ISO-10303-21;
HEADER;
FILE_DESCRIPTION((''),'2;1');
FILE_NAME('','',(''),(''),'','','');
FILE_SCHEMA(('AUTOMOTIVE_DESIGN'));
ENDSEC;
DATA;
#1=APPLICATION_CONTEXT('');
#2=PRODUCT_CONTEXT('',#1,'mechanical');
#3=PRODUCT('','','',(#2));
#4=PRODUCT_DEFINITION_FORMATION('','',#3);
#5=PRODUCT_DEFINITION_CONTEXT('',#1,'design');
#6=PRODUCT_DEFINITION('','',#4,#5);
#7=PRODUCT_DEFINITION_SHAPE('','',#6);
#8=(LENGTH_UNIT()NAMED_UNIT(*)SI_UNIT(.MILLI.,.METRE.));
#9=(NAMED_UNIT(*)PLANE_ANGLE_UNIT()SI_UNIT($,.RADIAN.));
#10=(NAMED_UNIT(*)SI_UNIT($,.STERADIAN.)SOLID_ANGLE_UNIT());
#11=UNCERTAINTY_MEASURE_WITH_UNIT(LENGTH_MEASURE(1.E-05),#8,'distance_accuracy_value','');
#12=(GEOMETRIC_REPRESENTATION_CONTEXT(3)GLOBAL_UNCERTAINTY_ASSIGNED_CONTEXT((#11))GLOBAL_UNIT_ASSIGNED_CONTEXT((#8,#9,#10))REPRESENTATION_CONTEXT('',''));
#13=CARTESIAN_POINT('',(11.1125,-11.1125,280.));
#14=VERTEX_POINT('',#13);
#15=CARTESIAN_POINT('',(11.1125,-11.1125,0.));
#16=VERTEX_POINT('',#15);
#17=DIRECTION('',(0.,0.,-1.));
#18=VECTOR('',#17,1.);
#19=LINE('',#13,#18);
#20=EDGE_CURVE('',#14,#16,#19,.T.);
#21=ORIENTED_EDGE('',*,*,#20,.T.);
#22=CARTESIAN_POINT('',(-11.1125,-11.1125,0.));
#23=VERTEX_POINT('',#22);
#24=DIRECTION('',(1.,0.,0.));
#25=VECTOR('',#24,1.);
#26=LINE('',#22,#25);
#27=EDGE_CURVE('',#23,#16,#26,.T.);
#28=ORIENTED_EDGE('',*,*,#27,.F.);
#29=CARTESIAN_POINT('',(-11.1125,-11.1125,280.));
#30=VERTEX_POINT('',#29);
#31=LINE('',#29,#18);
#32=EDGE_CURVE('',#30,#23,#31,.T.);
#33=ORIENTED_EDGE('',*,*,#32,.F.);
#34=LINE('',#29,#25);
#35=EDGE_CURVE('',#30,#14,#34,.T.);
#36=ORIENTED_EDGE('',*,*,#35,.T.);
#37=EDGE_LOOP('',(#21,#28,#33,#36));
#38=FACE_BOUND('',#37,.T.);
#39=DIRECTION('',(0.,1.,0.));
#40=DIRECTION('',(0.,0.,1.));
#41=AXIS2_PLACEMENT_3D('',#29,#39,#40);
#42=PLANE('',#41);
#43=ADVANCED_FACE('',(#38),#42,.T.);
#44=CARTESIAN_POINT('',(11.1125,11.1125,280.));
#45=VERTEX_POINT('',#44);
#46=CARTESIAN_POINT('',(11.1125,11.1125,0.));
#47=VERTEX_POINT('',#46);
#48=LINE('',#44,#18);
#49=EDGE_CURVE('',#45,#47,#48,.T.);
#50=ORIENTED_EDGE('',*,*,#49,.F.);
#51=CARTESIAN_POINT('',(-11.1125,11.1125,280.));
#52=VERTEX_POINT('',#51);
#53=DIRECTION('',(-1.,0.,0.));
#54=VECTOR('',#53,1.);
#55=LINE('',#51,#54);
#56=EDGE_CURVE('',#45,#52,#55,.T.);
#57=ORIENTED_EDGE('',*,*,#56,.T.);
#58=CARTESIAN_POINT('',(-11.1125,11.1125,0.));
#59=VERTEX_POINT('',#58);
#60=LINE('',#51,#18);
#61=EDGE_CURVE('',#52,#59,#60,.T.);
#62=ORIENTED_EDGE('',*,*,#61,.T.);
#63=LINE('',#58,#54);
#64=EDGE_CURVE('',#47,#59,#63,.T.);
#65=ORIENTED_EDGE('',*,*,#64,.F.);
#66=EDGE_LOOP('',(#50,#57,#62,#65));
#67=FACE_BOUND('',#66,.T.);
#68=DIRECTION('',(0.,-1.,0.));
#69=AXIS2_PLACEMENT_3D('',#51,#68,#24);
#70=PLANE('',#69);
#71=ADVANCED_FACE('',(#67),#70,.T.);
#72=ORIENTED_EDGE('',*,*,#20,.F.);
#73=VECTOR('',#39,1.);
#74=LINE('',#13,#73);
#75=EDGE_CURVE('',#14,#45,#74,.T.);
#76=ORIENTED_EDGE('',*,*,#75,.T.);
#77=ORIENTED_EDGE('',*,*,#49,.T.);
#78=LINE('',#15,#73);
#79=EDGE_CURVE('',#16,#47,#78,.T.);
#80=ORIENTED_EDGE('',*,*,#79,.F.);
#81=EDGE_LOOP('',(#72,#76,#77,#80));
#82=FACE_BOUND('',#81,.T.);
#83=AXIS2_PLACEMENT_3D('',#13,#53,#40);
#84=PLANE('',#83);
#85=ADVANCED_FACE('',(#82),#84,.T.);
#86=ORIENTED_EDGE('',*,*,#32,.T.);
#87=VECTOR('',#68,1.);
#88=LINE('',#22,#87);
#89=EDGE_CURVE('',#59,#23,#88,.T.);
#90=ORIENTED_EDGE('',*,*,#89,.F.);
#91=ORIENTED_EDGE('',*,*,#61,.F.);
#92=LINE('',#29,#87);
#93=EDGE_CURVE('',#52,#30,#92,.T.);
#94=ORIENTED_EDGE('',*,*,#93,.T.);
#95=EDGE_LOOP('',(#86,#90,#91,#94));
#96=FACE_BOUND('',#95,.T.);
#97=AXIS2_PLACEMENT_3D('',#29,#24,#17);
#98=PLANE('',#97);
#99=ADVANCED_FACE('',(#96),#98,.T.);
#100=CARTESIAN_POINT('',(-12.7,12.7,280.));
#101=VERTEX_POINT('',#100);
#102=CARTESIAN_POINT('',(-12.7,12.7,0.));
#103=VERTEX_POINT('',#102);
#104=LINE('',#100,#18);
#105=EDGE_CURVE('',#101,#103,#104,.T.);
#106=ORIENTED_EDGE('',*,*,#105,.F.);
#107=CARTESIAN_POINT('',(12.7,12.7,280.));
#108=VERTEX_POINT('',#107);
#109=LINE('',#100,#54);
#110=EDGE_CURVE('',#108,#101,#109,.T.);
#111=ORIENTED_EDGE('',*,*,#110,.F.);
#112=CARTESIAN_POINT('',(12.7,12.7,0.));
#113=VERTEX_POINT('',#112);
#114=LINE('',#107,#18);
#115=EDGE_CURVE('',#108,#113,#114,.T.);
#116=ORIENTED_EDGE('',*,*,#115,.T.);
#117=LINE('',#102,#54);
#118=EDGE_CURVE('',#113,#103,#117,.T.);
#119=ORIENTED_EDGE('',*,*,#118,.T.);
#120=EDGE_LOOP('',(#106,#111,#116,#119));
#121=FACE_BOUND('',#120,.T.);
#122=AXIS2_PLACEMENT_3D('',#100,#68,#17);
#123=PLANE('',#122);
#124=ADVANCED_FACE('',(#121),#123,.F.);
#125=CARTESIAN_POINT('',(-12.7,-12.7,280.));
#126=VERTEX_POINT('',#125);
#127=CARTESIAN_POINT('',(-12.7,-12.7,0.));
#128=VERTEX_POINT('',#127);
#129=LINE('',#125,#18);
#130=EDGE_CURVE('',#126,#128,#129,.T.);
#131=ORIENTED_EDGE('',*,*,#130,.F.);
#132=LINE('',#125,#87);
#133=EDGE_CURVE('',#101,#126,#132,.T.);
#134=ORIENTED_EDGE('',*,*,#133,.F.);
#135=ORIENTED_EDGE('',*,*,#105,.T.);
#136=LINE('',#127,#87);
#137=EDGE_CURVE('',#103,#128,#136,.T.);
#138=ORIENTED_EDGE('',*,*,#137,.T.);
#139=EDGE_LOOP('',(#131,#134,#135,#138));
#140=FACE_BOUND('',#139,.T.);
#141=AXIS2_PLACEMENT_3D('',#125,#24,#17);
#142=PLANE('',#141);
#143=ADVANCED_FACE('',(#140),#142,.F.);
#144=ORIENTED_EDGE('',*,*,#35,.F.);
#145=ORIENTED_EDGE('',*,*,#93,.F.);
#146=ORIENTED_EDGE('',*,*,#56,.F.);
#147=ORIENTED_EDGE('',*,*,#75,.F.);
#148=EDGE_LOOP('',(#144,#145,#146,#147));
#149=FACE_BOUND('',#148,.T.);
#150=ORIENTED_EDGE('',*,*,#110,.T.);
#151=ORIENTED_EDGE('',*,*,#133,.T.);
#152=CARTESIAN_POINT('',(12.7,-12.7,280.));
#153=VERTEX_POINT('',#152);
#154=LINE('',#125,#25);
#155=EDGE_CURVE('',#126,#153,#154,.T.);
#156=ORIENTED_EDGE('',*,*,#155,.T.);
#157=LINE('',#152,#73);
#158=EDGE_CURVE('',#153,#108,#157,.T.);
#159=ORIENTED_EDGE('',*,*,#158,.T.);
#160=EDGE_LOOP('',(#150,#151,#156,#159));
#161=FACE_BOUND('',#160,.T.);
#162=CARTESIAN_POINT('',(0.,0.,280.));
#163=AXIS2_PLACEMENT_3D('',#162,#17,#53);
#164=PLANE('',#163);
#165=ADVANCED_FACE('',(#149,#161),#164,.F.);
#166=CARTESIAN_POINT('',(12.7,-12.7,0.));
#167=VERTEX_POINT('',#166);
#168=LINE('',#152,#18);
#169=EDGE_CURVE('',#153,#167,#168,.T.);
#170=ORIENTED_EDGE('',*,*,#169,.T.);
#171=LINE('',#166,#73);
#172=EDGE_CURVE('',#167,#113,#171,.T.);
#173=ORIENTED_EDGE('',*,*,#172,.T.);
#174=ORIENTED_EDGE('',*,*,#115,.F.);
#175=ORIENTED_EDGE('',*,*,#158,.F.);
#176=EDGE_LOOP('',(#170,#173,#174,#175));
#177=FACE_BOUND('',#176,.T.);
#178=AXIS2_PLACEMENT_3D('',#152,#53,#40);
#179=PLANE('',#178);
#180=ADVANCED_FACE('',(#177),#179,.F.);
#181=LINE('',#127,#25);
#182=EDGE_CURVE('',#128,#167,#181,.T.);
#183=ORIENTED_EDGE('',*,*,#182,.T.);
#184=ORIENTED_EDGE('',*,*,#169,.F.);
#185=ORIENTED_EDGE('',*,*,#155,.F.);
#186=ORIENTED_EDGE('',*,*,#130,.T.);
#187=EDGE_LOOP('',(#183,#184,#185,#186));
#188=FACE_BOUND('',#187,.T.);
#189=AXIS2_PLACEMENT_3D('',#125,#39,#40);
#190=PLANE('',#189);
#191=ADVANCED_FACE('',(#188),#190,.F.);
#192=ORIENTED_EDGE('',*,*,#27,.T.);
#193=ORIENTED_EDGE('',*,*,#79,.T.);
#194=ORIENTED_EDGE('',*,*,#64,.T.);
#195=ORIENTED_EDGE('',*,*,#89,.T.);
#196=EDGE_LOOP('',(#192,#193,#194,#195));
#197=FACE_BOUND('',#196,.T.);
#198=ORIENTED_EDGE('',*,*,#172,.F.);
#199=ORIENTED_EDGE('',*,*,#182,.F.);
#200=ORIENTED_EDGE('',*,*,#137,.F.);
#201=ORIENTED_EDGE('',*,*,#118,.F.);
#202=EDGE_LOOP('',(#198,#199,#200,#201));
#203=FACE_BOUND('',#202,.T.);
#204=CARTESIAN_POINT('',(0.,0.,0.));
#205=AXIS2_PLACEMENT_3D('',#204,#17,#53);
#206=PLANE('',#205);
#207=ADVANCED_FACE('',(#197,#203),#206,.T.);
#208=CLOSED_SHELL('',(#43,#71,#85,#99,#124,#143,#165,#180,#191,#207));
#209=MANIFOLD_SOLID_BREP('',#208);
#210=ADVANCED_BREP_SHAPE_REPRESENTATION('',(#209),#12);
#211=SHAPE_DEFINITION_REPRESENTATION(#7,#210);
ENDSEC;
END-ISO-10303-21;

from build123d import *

# Parameters (mm, degrees)
SKETCH1_W           = 25.4
SKETCH1_H           = 25.4
SKETCH1_W_2         = 22.225
SKETCH1_H_2         = 22.225
BOSS_EXTRUDE1_DEPTH = 280


with BuildPart() as part:
    # Sketch1 → Boss-Extrude1 (new body)
    with BuildSketch(Plane.XY):
        Rectangle(SKETCH1_W, SKETCH1_H)
        Rectangle(SKETCH1_W_2, SKETCH1_H_2, mode=Mode.SUBTRACT)
    extrude(amount=BOSS_EXTRUDE1_DEPTH)


solid = part.part
